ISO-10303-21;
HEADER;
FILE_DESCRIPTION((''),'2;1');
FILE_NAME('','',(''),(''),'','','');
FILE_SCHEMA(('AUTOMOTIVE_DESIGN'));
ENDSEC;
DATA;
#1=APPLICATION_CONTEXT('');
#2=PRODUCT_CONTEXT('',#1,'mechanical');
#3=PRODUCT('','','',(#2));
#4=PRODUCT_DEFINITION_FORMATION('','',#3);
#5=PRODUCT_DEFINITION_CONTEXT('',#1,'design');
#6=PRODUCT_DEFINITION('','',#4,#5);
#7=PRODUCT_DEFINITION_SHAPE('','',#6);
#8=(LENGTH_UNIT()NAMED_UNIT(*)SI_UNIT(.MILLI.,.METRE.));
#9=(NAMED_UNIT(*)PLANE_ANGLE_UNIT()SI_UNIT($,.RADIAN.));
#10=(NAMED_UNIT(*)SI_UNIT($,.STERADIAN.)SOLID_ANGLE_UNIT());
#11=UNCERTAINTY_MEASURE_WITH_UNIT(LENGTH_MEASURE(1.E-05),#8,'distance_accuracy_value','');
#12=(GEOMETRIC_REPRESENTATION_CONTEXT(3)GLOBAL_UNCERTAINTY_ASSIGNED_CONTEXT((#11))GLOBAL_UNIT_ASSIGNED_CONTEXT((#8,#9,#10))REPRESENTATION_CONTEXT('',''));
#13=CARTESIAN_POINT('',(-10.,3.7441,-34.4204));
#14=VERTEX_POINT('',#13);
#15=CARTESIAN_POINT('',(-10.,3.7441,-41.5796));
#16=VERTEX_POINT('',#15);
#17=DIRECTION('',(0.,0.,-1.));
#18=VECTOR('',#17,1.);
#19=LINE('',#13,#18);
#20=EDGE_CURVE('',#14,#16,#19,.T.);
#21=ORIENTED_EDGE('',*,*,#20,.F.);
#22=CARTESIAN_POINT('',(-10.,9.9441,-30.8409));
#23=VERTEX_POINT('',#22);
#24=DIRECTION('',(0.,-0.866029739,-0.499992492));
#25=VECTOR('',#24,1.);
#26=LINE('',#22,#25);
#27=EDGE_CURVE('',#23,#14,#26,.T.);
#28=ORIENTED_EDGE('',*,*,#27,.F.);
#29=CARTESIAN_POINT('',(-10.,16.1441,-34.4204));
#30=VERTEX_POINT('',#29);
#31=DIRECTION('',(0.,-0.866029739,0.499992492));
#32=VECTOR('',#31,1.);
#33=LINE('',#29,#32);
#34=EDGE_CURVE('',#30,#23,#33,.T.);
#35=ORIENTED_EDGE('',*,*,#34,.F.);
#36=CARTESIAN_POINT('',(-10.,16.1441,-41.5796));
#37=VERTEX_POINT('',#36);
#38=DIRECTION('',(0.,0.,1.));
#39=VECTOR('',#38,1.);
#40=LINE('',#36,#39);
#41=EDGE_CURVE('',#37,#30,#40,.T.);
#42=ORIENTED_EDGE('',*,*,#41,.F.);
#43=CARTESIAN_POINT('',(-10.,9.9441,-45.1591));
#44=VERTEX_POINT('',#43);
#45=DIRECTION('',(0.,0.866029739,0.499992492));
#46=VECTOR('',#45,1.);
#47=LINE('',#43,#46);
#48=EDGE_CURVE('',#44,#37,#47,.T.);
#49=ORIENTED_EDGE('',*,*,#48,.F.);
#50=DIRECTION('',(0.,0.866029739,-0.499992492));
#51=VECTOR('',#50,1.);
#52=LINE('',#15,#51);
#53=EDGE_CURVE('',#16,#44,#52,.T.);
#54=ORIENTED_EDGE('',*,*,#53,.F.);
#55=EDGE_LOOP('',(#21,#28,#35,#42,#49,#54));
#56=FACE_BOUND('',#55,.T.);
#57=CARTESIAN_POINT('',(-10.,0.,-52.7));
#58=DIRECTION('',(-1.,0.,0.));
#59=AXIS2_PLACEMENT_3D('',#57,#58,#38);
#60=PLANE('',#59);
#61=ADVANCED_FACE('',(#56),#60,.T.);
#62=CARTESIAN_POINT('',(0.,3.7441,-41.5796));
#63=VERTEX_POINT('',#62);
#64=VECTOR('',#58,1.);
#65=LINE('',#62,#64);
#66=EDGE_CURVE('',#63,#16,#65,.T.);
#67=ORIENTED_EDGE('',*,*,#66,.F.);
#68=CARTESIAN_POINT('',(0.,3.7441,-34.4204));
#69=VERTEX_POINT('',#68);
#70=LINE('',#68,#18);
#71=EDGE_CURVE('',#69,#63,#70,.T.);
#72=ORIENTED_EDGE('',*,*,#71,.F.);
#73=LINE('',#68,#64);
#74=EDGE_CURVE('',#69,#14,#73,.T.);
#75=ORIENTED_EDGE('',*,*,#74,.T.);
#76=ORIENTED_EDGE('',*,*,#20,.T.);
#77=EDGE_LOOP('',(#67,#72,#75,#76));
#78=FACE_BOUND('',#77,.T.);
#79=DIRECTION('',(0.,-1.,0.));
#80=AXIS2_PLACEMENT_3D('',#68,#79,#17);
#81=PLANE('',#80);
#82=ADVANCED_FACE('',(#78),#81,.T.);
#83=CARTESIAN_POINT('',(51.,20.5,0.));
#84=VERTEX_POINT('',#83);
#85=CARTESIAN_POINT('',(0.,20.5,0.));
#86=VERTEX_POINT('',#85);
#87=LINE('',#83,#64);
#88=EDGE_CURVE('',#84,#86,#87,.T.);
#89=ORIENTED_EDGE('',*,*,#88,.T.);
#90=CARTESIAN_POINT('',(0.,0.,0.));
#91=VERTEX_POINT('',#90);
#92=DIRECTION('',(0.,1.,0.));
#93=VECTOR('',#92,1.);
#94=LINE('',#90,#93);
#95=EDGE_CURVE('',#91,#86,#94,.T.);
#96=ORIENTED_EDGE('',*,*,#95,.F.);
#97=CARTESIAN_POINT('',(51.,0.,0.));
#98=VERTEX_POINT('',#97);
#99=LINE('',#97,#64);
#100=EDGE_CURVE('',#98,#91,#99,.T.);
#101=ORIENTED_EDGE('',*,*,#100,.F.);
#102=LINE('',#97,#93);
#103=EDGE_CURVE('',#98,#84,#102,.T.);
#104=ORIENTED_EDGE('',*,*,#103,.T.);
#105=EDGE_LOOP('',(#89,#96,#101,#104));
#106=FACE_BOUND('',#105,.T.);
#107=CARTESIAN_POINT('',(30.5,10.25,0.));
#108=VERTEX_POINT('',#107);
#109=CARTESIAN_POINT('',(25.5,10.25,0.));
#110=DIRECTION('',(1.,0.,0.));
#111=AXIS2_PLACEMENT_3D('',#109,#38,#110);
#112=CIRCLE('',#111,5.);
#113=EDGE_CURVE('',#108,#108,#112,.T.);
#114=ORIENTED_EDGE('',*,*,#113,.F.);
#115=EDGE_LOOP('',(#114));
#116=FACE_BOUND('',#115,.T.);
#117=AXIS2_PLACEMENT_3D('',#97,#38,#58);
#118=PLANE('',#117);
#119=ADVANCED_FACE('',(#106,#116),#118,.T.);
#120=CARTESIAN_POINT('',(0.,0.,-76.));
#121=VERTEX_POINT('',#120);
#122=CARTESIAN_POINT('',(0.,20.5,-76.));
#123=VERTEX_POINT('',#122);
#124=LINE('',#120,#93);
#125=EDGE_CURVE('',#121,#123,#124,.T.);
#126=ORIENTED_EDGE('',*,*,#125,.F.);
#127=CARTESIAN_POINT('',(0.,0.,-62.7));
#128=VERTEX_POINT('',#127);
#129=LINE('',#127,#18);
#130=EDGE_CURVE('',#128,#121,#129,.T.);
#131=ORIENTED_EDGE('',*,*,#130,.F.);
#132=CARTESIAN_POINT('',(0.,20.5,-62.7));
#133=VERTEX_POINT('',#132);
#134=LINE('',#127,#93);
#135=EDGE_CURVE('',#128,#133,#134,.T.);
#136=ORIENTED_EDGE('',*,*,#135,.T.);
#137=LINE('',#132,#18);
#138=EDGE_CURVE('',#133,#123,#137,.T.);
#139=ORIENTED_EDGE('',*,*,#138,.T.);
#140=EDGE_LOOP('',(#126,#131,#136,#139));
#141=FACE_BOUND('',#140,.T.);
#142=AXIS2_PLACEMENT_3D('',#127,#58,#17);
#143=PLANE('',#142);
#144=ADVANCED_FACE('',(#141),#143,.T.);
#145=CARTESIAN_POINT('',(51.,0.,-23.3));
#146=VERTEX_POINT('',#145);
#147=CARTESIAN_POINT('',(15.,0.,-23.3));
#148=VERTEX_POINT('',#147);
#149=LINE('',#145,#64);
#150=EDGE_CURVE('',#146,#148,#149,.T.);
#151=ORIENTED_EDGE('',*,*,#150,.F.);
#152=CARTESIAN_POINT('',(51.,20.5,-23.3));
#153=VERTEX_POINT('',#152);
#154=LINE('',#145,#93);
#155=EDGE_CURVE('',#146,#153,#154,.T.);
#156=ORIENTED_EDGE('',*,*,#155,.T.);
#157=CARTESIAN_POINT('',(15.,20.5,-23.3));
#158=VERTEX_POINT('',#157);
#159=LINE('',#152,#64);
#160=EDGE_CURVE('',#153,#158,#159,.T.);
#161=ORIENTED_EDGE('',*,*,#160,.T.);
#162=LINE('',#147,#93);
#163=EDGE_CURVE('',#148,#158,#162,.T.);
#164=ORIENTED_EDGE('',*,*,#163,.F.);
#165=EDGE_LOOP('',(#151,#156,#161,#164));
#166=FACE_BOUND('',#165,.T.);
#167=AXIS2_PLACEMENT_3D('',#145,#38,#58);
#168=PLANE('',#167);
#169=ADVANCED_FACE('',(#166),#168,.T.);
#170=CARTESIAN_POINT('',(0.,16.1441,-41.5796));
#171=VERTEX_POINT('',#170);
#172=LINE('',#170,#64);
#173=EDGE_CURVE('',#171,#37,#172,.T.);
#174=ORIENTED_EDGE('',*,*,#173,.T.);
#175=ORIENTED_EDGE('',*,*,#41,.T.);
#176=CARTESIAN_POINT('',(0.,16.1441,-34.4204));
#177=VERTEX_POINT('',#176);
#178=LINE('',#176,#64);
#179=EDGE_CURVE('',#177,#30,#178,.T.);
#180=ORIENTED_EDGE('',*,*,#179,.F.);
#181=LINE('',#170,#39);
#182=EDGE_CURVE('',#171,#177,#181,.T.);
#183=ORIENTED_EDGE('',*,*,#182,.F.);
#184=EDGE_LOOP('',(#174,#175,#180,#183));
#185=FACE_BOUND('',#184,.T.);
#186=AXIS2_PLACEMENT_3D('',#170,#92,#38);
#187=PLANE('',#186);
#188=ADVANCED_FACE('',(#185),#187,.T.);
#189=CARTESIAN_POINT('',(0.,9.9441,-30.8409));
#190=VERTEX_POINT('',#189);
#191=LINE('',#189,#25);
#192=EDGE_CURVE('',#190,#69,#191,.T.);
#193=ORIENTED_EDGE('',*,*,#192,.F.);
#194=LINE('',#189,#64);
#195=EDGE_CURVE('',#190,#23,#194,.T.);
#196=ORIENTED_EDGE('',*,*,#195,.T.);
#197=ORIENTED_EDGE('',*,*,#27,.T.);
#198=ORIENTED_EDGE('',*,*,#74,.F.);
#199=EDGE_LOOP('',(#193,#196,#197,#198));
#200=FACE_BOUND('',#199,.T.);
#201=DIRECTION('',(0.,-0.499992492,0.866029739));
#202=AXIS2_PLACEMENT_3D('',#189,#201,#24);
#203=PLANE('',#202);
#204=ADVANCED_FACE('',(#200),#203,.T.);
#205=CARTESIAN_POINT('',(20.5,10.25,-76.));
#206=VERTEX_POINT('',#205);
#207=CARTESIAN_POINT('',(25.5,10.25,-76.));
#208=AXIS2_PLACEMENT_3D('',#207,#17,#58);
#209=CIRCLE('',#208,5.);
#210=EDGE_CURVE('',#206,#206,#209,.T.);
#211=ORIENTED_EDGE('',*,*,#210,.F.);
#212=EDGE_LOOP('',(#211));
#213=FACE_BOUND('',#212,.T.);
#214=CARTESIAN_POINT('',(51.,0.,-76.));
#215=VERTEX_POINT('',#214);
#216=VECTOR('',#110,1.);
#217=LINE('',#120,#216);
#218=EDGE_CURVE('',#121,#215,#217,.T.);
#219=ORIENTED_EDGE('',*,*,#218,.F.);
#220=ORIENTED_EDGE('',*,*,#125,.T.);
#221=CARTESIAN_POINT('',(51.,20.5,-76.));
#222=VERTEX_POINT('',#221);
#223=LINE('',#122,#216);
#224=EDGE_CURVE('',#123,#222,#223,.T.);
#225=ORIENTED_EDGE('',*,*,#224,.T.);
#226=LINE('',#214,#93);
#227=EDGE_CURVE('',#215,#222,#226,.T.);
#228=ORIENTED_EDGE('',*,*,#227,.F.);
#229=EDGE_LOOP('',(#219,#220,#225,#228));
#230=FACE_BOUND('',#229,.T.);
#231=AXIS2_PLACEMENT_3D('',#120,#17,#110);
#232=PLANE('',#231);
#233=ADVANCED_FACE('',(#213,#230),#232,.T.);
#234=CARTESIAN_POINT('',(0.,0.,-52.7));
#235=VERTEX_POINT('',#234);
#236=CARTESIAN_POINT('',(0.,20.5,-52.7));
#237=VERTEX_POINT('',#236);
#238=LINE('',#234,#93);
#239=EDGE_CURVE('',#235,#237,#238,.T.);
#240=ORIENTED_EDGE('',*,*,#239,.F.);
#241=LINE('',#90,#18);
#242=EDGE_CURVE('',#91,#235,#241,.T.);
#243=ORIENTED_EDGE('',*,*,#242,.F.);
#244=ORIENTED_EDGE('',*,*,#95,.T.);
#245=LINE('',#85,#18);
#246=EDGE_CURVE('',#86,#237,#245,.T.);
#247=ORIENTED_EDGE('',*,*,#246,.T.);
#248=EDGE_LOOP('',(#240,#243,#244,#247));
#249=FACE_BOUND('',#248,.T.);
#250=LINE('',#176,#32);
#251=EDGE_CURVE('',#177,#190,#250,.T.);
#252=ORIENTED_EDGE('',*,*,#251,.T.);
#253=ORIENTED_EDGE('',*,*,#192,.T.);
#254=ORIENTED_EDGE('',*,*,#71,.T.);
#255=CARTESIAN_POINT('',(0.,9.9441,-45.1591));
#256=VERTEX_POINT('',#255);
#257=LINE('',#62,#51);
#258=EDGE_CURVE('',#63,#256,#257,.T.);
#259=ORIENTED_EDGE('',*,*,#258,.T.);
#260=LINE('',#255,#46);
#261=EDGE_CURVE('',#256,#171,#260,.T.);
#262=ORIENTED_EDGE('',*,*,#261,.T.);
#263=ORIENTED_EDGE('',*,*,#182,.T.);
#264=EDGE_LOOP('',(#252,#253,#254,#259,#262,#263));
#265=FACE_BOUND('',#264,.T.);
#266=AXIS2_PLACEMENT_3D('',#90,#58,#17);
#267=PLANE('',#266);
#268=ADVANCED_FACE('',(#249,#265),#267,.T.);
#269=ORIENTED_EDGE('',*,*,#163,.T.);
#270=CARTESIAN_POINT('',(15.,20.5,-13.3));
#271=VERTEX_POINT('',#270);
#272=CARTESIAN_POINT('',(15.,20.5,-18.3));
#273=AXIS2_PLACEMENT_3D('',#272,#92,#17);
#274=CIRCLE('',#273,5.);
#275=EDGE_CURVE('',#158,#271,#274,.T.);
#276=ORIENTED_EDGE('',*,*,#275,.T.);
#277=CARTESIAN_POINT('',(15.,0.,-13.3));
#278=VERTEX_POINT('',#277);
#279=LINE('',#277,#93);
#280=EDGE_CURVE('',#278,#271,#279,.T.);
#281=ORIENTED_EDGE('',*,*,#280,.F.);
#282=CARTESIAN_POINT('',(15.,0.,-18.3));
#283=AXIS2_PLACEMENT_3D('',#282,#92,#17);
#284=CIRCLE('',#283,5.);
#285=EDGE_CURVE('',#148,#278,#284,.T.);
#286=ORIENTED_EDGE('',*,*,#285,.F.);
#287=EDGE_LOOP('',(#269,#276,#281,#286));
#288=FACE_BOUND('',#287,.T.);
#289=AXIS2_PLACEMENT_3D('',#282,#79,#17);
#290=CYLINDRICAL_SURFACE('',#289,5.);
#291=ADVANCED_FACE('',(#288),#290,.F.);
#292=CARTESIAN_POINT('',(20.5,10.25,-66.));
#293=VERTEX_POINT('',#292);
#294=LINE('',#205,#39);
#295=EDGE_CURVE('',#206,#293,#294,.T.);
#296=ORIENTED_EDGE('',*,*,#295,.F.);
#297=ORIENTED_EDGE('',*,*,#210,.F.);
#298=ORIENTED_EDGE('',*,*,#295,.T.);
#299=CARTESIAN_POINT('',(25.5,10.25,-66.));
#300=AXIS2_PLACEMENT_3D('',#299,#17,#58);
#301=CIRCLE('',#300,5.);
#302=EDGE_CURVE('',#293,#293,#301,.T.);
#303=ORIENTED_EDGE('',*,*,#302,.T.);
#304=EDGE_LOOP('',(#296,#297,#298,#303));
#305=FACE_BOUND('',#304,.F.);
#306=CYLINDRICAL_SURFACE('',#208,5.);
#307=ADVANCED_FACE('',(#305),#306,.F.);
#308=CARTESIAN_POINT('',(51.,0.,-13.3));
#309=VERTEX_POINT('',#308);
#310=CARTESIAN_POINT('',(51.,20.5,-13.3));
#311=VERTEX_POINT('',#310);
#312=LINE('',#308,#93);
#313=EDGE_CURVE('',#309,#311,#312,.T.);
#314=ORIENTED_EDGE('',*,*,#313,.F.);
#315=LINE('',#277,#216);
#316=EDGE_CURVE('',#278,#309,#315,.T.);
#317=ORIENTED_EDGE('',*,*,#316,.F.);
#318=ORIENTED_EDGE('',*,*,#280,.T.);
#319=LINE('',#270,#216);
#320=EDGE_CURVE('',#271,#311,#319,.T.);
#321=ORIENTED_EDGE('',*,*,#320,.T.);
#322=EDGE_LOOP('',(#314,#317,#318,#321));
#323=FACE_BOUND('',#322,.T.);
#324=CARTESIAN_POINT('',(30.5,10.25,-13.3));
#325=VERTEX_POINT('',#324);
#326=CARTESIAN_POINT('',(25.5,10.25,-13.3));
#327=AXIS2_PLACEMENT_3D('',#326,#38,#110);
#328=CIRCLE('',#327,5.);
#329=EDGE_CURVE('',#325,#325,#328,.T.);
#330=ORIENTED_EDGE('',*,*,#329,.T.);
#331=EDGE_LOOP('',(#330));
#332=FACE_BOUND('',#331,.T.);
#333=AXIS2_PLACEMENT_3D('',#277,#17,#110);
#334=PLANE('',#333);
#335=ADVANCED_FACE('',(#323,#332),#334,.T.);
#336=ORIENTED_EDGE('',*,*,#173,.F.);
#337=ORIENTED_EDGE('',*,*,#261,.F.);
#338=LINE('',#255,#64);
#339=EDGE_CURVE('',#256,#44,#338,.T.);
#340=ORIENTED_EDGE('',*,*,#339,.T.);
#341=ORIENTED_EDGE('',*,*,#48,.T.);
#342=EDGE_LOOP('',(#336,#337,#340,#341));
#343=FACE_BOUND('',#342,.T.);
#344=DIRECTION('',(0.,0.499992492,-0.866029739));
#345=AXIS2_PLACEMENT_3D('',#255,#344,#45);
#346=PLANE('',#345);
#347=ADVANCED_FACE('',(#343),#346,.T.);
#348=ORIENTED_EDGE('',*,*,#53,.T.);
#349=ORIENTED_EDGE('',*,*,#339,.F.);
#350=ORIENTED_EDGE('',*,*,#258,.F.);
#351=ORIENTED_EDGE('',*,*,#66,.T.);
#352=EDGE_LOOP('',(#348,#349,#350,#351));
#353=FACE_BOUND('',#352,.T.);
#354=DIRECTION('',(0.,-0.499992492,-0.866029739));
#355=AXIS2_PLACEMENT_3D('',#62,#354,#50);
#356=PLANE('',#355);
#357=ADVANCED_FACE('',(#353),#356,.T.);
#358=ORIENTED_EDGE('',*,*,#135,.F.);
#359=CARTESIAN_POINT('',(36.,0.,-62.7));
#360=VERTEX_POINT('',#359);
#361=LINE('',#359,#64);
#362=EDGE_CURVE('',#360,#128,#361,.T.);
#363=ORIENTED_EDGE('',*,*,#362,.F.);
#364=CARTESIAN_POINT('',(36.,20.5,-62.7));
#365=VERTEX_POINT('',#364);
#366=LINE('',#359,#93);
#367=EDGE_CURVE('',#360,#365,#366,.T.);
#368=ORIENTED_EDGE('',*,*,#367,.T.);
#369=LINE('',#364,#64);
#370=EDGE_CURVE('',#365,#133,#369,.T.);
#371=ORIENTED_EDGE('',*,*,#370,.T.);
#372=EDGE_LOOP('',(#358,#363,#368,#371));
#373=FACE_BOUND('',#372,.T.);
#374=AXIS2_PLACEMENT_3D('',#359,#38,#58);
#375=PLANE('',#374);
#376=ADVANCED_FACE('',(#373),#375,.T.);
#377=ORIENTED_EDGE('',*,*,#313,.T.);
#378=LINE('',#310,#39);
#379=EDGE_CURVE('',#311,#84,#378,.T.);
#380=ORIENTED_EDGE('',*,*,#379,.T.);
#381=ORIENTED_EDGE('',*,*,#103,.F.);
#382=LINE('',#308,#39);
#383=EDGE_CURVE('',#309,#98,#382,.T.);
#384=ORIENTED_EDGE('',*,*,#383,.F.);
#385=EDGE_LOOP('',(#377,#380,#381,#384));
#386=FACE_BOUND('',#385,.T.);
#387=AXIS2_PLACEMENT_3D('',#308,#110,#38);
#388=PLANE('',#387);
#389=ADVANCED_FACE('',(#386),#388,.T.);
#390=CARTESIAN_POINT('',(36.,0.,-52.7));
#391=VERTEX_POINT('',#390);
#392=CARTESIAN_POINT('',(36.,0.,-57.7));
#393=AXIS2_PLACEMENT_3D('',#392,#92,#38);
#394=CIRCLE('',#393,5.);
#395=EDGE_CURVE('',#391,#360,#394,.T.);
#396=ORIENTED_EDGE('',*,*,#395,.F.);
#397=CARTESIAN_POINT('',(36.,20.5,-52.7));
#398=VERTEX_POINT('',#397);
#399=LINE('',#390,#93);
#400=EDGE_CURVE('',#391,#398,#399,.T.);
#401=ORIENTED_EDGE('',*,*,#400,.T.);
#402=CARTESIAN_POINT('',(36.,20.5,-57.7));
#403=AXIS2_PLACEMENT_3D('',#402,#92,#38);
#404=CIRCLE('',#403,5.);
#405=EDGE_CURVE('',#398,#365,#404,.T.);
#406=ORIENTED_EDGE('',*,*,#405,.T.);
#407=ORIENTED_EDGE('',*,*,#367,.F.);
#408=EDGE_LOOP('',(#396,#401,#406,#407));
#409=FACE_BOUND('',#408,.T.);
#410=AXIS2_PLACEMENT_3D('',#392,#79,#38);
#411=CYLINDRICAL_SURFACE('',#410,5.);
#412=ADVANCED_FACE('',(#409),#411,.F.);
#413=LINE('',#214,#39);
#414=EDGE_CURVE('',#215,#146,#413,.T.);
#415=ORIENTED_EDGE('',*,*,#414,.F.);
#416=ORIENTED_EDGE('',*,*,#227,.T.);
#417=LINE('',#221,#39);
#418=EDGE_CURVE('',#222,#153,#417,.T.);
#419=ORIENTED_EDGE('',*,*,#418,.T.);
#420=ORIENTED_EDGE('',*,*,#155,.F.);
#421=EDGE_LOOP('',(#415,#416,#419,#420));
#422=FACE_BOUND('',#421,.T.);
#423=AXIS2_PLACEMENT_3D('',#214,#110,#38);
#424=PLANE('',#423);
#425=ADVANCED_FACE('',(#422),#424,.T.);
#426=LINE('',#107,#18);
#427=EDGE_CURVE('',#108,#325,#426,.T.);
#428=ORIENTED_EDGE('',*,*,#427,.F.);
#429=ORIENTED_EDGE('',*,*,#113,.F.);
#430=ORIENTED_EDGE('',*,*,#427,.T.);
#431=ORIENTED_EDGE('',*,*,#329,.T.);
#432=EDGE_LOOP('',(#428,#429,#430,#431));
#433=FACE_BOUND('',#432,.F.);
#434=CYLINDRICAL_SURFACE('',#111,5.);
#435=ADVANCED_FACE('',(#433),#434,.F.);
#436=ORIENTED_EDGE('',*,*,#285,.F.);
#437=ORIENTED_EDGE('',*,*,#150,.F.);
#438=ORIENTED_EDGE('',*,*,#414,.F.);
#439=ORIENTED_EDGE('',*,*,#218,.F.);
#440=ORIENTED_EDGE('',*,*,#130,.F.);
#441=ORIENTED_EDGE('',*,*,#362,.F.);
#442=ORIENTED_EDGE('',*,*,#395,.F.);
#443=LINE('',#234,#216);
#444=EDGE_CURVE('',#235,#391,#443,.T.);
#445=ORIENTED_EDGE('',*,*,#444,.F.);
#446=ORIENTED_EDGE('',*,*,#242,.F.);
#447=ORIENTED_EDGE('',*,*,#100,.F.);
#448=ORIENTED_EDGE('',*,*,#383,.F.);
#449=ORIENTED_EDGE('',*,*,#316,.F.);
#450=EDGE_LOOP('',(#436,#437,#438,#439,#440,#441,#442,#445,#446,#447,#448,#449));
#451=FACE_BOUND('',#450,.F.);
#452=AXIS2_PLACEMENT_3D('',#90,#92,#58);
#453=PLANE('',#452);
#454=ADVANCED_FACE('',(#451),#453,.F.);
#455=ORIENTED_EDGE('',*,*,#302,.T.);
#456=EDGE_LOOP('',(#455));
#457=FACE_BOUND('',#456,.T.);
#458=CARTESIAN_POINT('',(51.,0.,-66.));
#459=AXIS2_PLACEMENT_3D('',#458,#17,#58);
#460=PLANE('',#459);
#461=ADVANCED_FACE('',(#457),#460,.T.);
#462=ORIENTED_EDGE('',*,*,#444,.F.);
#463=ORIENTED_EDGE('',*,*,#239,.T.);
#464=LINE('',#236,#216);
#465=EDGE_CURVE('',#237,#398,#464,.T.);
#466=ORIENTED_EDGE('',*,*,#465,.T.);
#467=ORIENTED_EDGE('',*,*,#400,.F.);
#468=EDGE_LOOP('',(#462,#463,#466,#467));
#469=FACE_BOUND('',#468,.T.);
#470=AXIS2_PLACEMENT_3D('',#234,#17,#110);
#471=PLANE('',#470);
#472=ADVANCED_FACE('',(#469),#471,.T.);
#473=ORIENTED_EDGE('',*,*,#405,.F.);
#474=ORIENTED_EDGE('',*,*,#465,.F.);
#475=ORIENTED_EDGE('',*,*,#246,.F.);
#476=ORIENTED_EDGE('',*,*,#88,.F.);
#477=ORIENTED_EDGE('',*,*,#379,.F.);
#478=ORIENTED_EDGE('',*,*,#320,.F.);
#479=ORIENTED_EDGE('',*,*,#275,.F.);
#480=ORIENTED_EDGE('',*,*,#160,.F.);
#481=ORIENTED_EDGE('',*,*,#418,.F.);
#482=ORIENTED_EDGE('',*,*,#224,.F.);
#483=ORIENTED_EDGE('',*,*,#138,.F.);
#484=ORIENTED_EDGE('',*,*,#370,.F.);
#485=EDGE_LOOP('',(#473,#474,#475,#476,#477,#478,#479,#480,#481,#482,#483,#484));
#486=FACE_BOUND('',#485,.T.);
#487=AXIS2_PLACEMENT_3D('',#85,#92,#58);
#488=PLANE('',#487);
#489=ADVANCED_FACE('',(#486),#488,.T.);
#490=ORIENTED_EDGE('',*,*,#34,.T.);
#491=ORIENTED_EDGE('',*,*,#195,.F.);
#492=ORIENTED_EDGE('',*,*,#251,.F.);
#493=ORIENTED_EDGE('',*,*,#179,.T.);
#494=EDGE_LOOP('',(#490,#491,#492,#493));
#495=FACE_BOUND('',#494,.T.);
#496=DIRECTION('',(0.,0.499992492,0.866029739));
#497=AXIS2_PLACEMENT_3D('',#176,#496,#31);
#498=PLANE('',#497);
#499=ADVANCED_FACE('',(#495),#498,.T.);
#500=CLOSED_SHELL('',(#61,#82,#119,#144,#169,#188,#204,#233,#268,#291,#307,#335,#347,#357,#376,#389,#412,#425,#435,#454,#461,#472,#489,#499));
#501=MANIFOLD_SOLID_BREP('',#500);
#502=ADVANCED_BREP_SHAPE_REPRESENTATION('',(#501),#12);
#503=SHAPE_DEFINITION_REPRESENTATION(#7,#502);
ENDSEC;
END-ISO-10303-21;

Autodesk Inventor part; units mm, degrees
ref_plane "YZ Plane" through (0, 0, 0) normal (1, 0, 0) x (0, 1, 0)
ref_plane "XZ Plane" through (0, 0, 0) normal (0, 1, 0) x (-1, 0, 0)
ref_plane "XY Plane" through (0, 0, 0) normal (0, 0, 1) x (1, 0, 0)
sketch "Sketch1" plane through (0, 0, 0) normal (0, 1, 0) x (-1, 0, 0)
  line L0 (0, 0) -> (0, -52.7)
  line L1 (0, -52.7) -> (-36, -52.7)
  arc A0 (-36, -52.7) -> (-36, -62.7) centre (-36, -57.7) ccw
  line L2 (-36, -62.7) -> (0, -62.7)
  line L3 (0, -62.7) -> (0, -76)
  line L4 (0, -76) -> (-51, -76)
  line L5 (-51, -76) -> (-51, -23.3)
  line L6 (-51, -23.3) -> (-15, -23.3)
  arc A1 (-15, -23.3) -> (-15, -13.3) centre (-15, -18.3) ccw
  line L7 (-15, -13.3) -> (-51, -13.3)
  line L8 (-51, -13.3) -> (-51, 0)
  line L9 (-51, 0) -> (0, 0)
  point P0 (-25.5, -76)
  dimension "d0" = 76
  dimension "d1" = 10
  dimension "d2" = 10
  dimension "d3" = 29.4
  dimension "d4" = 13.3
  dimension "d17" = 51
  dimension "d18" = 15
  dimension "d19" = 15
extrude "Extrusion1" add sketch "Sketch1" along normal blind 20.5
sketch "Sketch2" plane through (0, 0, 0) normal (0, 0, 1) x (1, 0, 0)
  circle A0 centre (25.5, 10.25) radius 5
  line L0 (0, 0) -> (51, 0) projected
  line L1 (0, 0) -> (0, 20.5) projected
  point P0 (25.5, 0)
  point P1 (0, 10.25)
  dimension "d7" = 10
extrude "Extrusion2" cut sketch "Sketch2" against normal up to next
sketch "Sketch3" plane through (51, 0, -76) normal (0, 0, -1) x (-1, 0, 0)
  circle A0 centre (25.5, 10.25) radius 5 projected
  circle A1 centre (25.5, 10.25) radius 5
  point P0 (51, 0)
  point P1 (31.0896, 7.7494)
  point P2 (31.0896, 12.7506)
  point P3 (30.0641, 8.2082)
  point P4 (30.0641, 12.2918)
  dimension "d10" = 5
extrude "Extrusion3" cut sketch "Sketch3" against normal blind 10
sketch "Sketch4" plane through (0, 0, -52.7) normal (-1, 0, 0) x (0, 0, 1)
  line L0 (21.8591, 9.9441) -> (18.2796, 3.7441)
  line L1 (18.2796, 3.7441) -> (11.1204, 3.7441)
  line L2 (11.1204, 3.7441) -> (7.5409, 9.9441)
  line L3 (7.5409, 9.9441) -> (11.1204, 16.1441)
  line L4 (11.1204, 16.1441) -> (18.2796, 16.1441)
  line L5 (18.2796, 16.1441) -> (21.8591, 9.9441)
  line L6 (-23.3, 0) -> (-23.3, 20.5) projected
  point P0 (52.7, 0)
  point P1 (14.7, 9.9441)
  point P2 (-23.3, 10.25)
  dimension "d13" = 12.4
  dimension "d14" = 38
extrude "Extrusion4" add sketch "Sketch4" along normal blind 10
properties part number "tension_sensor"
